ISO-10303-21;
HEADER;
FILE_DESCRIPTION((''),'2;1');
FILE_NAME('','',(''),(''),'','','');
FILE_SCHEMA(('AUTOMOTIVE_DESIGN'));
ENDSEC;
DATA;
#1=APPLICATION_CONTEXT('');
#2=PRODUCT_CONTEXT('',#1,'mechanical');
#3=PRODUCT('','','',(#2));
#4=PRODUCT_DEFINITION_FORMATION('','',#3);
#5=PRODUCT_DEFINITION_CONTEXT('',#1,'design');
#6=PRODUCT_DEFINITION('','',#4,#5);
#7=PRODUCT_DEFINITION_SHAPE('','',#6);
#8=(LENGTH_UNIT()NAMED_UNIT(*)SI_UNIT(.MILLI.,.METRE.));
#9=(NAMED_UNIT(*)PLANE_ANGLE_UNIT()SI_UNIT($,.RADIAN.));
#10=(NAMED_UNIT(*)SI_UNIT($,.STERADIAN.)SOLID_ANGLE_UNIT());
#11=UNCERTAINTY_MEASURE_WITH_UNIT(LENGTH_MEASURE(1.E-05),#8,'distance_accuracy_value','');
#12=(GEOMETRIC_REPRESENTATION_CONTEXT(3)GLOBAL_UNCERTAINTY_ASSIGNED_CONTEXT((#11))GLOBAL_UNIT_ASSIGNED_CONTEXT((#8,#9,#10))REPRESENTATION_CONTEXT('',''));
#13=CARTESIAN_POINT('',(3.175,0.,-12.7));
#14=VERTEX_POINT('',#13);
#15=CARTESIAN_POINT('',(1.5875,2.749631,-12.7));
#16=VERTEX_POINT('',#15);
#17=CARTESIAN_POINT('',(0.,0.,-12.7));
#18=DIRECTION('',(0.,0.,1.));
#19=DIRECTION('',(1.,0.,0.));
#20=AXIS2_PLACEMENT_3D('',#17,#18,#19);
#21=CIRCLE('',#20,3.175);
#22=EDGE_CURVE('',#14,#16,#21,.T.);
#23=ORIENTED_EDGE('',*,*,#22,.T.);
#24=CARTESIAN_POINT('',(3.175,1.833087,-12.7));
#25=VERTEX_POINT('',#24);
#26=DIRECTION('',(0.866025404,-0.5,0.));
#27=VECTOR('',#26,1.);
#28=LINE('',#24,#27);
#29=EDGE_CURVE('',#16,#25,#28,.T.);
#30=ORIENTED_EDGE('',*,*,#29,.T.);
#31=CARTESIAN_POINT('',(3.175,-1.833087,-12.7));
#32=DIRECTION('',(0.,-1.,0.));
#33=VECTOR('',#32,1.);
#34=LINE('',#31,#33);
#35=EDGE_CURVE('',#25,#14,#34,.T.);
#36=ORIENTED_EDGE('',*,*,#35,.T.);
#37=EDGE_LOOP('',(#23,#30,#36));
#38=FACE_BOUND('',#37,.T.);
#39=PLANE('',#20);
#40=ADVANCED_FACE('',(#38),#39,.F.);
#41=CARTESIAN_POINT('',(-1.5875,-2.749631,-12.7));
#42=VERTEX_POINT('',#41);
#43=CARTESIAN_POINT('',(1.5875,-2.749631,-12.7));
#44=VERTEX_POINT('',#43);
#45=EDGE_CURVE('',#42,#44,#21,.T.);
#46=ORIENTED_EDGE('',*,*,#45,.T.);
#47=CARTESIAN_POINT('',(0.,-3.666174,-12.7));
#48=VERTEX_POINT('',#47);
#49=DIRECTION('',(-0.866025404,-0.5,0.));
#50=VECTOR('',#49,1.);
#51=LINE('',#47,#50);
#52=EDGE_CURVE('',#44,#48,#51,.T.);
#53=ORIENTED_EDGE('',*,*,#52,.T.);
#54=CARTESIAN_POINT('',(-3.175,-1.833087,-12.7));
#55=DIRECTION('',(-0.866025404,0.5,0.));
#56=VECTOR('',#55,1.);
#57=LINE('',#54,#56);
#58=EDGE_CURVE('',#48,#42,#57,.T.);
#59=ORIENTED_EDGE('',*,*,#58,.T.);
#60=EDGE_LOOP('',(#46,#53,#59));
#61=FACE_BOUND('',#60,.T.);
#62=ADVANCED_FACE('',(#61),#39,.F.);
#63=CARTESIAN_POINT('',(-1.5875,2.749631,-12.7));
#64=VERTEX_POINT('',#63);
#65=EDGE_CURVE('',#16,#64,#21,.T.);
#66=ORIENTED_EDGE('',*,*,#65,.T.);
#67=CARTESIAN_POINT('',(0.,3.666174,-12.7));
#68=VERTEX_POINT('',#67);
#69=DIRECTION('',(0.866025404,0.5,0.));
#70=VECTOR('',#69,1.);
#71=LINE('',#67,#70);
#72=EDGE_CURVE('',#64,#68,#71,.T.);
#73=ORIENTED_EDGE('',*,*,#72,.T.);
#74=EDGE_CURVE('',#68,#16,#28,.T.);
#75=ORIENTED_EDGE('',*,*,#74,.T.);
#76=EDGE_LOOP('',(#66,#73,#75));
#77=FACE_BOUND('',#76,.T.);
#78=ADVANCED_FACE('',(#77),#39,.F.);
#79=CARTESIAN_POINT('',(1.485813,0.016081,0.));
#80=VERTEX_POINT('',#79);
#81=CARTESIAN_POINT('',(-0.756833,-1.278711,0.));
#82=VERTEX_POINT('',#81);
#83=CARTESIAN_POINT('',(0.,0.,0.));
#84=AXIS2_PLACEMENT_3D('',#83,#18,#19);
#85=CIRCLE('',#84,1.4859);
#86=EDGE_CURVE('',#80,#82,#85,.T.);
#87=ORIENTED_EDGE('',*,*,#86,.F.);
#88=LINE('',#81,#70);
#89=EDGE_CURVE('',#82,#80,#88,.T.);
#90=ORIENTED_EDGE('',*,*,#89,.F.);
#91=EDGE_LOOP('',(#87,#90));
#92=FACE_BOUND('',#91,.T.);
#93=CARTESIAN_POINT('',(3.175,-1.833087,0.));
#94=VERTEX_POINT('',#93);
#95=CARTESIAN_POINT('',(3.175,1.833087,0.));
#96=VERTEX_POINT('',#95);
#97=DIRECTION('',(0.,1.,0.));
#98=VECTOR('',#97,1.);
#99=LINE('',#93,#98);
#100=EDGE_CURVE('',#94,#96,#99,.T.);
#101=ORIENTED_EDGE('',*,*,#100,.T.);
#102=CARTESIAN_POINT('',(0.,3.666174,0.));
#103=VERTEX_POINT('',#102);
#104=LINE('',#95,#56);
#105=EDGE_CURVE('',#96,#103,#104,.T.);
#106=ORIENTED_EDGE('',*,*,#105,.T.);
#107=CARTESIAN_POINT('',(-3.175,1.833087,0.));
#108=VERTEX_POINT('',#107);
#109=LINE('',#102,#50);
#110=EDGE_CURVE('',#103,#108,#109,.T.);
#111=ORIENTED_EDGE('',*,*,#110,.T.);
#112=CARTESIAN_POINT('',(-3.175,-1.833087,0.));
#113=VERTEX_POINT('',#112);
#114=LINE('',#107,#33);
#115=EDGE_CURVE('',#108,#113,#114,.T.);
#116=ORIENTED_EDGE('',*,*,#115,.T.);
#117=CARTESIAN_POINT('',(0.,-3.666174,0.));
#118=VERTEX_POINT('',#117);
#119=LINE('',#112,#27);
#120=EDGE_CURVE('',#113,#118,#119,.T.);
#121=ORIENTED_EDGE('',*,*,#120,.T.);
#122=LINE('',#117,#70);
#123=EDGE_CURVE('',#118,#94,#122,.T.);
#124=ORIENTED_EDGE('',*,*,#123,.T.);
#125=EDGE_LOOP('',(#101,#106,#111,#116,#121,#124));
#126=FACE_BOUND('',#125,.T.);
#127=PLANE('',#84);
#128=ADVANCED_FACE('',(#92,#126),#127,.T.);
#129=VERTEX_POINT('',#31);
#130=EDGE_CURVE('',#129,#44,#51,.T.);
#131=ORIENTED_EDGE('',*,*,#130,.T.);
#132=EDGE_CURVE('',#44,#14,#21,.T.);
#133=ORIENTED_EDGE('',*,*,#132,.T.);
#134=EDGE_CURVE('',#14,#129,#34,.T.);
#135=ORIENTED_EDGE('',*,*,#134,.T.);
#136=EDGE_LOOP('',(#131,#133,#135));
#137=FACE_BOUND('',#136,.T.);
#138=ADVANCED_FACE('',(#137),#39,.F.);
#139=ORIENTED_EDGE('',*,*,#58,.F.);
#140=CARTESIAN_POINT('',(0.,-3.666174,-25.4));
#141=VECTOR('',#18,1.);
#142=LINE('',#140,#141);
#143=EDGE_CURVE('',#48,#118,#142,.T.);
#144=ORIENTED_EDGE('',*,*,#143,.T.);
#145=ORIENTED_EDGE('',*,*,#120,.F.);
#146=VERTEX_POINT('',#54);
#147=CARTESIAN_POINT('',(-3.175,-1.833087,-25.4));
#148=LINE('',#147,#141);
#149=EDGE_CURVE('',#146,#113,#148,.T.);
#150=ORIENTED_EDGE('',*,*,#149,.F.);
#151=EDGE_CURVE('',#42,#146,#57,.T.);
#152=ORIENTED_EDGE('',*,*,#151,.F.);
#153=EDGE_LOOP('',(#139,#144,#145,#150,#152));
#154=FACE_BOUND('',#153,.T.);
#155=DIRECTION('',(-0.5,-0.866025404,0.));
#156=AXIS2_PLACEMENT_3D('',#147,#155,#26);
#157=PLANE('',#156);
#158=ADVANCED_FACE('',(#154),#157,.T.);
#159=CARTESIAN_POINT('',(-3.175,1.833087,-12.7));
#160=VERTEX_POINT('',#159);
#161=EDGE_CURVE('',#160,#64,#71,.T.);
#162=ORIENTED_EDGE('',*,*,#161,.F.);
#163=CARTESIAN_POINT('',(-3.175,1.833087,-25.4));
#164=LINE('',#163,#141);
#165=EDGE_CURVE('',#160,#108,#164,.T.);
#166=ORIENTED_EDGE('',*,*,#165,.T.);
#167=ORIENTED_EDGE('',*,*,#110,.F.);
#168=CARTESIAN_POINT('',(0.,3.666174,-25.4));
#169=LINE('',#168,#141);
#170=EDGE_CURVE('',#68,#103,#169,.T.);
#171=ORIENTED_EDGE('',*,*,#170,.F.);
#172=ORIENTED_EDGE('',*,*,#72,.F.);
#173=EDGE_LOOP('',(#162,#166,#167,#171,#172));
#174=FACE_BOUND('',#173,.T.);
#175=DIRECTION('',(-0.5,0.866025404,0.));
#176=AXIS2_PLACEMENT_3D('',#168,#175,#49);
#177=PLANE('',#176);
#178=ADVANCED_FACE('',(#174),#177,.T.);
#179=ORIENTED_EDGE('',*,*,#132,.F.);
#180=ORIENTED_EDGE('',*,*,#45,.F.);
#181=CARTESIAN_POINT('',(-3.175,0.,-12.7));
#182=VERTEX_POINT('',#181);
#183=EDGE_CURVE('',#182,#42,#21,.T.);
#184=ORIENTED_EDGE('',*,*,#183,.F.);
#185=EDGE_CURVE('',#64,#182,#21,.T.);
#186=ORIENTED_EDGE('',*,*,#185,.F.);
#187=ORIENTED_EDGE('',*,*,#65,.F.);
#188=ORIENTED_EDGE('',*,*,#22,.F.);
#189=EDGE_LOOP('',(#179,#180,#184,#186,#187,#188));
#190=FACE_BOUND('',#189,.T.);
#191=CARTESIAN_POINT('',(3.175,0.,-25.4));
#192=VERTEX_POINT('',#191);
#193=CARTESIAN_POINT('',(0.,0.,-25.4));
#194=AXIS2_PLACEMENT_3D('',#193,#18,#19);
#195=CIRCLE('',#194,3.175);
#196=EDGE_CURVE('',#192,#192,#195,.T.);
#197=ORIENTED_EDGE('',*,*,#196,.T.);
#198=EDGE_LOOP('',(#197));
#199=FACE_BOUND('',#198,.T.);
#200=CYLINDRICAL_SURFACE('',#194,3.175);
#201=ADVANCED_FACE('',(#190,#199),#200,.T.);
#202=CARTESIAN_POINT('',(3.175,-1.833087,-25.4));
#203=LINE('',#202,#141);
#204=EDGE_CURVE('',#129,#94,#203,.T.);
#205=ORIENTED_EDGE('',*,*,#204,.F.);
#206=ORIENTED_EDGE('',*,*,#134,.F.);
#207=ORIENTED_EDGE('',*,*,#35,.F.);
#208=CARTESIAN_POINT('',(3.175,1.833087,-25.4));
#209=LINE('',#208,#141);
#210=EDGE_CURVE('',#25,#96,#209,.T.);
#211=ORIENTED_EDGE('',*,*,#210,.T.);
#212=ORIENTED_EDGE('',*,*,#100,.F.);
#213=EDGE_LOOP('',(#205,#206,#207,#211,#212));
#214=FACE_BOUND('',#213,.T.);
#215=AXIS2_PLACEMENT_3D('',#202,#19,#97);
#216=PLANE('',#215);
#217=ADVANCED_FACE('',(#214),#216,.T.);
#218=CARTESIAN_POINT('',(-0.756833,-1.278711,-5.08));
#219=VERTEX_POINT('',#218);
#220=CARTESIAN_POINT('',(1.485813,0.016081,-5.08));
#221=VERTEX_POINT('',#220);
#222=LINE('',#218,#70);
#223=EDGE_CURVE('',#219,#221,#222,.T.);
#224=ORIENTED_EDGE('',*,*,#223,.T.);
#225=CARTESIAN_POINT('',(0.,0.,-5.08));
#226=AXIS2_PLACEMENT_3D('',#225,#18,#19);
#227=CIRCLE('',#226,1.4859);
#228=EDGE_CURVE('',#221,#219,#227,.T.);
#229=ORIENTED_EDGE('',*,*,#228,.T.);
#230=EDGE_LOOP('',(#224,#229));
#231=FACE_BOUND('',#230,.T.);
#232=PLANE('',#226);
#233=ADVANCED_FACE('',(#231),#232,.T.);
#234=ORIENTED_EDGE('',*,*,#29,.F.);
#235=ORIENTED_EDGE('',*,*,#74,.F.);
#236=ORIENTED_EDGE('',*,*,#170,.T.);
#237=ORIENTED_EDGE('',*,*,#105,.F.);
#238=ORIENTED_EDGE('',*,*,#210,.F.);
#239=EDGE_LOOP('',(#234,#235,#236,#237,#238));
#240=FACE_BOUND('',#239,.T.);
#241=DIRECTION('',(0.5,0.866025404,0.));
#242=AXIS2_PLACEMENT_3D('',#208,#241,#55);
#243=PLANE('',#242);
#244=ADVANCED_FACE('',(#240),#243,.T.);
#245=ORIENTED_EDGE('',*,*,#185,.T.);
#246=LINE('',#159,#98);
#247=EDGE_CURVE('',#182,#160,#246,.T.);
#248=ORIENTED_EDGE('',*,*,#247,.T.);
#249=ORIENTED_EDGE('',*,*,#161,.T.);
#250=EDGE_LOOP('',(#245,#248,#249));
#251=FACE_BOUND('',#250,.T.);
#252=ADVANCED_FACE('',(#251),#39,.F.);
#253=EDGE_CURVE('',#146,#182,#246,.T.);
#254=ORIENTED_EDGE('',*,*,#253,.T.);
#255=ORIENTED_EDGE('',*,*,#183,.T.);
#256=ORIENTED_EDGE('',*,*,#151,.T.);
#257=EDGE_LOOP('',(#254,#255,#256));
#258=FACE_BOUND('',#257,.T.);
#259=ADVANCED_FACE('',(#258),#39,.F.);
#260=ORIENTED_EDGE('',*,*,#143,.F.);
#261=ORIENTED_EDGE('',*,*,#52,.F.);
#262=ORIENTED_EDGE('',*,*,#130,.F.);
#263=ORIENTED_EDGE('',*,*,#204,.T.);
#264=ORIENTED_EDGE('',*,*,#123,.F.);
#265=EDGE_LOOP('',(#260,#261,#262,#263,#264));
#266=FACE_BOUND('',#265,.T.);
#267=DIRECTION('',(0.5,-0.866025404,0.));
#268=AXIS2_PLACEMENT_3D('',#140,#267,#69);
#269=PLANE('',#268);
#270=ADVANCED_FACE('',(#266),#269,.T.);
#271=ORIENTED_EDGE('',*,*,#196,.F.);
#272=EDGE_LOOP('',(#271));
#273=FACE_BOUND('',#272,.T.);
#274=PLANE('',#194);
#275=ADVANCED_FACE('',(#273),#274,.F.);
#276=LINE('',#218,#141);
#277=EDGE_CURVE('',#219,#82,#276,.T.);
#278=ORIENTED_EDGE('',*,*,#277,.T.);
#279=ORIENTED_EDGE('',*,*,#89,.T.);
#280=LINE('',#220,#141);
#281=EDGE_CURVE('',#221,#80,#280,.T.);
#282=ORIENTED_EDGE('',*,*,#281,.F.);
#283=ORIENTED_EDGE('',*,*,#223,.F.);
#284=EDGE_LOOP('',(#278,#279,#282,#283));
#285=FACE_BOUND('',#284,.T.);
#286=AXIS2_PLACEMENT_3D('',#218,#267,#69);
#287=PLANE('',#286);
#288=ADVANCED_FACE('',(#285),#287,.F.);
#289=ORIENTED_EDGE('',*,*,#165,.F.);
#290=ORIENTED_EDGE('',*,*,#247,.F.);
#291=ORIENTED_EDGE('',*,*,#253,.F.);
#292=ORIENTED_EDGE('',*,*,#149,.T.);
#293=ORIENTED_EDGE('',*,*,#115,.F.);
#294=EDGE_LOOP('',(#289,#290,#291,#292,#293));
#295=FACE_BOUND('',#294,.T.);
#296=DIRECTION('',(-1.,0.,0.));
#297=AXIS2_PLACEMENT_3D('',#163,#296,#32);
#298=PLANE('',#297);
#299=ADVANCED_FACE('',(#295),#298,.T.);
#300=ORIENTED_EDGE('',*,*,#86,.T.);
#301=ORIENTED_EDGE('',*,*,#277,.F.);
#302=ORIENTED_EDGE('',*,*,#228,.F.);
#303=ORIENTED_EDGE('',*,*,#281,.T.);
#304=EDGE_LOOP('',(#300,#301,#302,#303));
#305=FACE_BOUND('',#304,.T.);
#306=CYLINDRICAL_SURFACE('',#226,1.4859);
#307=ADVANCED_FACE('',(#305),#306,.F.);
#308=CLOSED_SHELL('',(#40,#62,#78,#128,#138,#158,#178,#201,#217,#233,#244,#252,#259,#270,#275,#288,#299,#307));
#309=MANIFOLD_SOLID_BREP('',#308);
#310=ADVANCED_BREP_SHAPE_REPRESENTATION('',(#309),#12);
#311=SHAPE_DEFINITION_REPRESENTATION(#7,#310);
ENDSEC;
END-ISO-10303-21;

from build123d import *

# Parameters (mm, degrees)
BOSS_EXTRUDE1_DEPTH = 25.4
CUT_EXTRUDE1_DEPTH  = 5.08
SKETCH3_OUTSIDE_W   = 13.788
SKETCH3_OUTSIDE_H   = 14.77
SKETCH3_OUTSIDE_R   = 3.175
CUT_EXTRUDE2_DEPTH  = 13.7


with BuildPart() as part:
    # Sketch1 → Boss-Extrude1 (new body)
    with BuildSketch(Plane.XY):
        Polygon((0, 3.666174209), (-3.175, 1.833087105), (-3.175, -1.833087105), (0, -3.666174209), (3.175, -1.833087105), (3.175, 1.833087105), align=None)
    extrude(amount=-BOSS_EXTRUDE1_DEPTH)

    # Sketch2 → Cut-Extrude1 (cut)
    with BuildSketch(Plane.XY):
        with BuildLine():
            Line((-0.756832981, -1.278711324), (1.485812981, 0.016080926))
            ThreePointArc((1.485812981, 0.016080926), (-0.74295, 1.286827147), (-0.756832981, -1.278711324))
        make_face()
    extrude(amount=-CUT_EXTRUDE1_DEPTH, mode=Mode.SUBTRACT)

    # Sketch3 outside → Cut-Extrude2 (cut, through all)
    with BuildSketch(Plane.XY.offset(-12.7)):
        Rectangle(SKETCH3_OUTSIDE_W, SKETCH3_OUTSIDE_H)
        Circle(SKETCH3_OUTSIDE_R, mode=Mode.SUBTRACT)
    extrude(amount=-CUT_EXTRUDE2_DEPTH, mode=Mode.SUBTRACT)


solid = part.part
